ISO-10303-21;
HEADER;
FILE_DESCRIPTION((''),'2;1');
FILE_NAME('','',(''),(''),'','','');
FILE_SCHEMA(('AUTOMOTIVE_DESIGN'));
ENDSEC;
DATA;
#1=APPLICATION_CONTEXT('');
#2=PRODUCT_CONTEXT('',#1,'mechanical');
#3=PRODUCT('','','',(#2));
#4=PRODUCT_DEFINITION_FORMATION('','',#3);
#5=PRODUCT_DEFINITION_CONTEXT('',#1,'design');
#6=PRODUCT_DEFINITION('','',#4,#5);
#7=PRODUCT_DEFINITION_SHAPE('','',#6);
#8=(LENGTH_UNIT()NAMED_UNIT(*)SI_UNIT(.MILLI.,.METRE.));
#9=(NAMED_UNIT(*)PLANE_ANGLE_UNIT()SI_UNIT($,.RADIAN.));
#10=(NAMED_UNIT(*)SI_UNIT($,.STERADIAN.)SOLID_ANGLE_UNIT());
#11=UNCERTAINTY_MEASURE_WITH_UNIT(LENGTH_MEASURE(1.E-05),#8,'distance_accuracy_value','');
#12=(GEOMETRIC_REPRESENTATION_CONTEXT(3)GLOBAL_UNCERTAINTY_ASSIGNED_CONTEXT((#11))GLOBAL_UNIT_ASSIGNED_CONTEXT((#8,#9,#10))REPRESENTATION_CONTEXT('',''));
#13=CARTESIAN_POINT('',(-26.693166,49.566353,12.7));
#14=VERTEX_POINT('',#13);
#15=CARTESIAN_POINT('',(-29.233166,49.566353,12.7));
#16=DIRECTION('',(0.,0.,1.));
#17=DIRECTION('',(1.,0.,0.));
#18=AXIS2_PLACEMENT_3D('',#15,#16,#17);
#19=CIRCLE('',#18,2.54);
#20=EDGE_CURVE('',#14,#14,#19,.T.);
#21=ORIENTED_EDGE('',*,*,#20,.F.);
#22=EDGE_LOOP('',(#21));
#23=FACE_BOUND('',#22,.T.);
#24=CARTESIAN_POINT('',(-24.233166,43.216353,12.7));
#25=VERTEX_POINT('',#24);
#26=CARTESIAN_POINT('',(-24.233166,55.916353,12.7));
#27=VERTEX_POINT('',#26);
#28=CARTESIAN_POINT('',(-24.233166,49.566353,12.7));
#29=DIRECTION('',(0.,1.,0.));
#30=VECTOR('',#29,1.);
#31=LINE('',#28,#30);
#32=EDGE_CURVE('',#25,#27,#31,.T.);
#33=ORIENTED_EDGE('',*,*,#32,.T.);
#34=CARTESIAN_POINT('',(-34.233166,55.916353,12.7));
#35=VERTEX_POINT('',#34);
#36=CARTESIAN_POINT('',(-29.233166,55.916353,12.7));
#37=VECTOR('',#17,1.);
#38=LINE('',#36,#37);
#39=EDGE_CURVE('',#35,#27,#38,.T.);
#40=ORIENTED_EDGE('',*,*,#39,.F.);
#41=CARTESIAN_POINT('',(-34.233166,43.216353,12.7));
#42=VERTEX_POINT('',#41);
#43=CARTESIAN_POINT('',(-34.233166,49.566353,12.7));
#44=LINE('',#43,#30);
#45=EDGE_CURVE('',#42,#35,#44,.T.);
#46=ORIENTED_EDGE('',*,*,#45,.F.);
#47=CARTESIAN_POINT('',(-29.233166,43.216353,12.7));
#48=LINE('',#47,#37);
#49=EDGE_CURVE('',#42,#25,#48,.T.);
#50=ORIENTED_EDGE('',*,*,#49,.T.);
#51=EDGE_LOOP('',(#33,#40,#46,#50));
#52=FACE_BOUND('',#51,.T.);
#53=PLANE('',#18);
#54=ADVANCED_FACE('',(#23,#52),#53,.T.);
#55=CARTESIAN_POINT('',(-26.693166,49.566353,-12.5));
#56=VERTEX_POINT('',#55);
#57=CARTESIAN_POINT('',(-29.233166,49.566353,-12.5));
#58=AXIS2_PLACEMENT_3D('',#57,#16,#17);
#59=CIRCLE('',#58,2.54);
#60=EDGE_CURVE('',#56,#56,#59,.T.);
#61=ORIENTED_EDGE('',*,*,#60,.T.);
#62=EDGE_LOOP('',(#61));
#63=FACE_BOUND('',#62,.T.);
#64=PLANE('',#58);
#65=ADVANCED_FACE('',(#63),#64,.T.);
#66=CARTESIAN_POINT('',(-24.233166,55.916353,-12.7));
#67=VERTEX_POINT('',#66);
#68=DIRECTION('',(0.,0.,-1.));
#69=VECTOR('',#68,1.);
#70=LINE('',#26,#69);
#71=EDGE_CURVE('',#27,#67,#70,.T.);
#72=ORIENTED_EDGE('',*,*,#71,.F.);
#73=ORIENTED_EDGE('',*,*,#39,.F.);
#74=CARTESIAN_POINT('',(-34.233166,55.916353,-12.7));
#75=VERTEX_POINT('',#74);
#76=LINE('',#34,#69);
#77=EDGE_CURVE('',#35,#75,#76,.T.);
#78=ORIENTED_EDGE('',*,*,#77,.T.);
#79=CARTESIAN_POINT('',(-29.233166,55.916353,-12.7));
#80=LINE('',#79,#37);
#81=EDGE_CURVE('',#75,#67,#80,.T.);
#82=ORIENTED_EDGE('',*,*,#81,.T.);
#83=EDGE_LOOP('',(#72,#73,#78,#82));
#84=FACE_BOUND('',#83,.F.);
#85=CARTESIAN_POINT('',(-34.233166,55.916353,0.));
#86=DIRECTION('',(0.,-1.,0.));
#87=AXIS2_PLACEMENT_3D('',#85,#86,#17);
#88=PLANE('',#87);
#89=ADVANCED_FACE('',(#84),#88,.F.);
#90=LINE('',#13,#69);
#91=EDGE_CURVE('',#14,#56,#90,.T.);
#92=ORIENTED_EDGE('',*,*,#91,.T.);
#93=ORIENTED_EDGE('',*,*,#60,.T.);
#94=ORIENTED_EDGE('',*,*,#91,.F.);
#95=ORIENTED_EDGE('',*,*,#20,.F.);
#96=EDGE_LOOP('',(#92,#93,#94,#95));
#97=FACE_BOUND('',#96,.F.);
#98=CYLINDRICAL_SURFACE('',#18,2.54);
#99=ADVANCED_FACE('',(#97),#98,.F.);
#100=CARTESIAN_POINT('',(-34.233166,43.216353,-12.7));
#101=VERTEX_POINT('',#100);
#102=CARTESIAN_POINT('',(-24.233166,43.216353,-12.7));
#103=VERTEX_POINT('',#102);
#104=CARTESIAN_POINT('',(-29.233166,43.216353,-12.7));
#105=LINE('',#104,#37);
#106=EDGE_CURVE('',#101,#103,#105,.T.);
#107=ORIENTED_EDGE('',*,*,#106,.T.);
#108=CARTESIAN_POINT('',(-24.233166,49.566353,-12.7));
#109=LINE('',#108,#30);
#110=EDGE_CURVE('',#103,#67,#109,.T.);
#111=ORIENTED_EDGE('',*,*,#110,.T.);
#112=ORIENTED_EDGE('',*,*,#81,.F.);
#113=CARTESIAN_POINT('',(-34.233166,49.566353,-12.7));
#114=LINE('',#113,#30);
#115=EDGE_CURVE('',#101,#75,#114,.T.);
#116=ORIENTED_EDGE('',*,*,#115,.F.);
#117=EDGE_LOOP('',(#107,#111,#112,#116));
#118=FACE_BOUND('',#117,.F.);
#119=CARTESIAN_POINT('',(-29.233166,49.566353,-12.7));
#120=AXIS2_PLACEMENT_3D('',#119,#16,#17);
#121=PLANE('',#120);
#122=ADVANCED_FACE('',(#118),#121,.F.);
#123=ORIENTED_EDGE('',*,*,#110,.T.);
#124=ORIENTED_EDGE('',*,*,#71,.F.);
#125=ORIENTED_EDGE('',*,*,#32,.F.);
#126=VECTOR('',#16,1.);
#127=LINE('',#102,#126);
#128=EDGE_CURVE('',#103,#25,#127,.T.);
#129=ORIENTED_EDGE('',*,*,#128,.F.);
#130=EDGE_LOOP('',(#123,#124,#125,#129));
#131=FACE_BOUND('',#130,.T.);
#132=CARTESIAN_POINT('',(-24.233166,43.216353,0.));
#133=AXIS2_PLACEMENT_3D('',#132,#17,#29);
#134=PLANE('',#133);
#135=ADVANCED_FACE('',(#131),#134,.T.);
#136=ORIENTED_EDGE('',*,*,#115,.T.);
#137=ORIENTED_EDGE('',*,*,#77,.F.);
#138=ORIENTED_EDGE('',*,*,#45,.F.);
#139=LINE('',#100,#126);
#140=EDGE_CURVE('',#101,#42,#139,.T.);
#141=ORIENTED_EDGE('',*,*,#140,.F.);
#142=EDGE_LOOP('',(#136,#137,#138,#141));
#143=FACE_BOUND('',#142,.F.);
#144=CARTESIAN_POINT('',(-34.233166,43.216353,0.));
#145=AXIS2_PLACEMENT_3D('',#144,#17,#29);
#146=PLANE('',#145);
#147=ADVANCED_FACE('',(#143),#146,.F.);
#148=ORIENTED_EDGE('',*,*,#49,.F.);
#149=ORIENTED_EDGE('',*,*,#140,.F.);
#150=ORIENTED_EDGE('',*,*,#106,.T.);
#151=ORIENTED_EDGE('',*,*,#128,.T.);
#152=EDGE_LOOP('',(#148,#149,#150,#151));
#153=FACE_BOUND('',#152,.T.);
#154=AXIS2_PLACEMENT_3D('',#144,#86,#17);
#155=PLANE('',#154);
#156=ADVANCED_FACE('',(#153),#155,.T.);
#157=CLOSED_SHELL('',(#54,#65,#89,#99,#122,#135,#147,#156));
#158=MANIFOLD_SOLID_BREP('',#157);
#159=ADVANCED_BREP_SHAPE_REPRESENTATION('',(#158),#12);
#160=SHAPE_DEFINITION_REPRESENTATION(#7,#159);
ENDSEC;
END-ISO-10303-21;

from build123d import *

# Parameters (mm, degrees)
F0_W     = 10
F0_H     = 12.7
F1_DEPTH = 12.7
F2_R     = 2.54
F3_DEPTH = 25.2


with BuildPart() as f1:
    # F0 (on Top) → F1 (new body, symmetric)
    with BuildSketch(Plane.XY):
        with Locations((-29.2331660166, 49.5663525627)):
            Rectangle(F0_W, F0_H)
    extrude(amount=F1_DEPTH, both=True)

    # F2 (on face) → F3 (cut, through all)
    with BuildSketch(Plane.XY.offset(12.7)):
        with Locations((-29.2331660166, 49.5663525627)):
            Circle(F2_R)
    extrude(amount=-F3_DEPTH, mode=Mode.SUBTRACT)


solid = f1.part
